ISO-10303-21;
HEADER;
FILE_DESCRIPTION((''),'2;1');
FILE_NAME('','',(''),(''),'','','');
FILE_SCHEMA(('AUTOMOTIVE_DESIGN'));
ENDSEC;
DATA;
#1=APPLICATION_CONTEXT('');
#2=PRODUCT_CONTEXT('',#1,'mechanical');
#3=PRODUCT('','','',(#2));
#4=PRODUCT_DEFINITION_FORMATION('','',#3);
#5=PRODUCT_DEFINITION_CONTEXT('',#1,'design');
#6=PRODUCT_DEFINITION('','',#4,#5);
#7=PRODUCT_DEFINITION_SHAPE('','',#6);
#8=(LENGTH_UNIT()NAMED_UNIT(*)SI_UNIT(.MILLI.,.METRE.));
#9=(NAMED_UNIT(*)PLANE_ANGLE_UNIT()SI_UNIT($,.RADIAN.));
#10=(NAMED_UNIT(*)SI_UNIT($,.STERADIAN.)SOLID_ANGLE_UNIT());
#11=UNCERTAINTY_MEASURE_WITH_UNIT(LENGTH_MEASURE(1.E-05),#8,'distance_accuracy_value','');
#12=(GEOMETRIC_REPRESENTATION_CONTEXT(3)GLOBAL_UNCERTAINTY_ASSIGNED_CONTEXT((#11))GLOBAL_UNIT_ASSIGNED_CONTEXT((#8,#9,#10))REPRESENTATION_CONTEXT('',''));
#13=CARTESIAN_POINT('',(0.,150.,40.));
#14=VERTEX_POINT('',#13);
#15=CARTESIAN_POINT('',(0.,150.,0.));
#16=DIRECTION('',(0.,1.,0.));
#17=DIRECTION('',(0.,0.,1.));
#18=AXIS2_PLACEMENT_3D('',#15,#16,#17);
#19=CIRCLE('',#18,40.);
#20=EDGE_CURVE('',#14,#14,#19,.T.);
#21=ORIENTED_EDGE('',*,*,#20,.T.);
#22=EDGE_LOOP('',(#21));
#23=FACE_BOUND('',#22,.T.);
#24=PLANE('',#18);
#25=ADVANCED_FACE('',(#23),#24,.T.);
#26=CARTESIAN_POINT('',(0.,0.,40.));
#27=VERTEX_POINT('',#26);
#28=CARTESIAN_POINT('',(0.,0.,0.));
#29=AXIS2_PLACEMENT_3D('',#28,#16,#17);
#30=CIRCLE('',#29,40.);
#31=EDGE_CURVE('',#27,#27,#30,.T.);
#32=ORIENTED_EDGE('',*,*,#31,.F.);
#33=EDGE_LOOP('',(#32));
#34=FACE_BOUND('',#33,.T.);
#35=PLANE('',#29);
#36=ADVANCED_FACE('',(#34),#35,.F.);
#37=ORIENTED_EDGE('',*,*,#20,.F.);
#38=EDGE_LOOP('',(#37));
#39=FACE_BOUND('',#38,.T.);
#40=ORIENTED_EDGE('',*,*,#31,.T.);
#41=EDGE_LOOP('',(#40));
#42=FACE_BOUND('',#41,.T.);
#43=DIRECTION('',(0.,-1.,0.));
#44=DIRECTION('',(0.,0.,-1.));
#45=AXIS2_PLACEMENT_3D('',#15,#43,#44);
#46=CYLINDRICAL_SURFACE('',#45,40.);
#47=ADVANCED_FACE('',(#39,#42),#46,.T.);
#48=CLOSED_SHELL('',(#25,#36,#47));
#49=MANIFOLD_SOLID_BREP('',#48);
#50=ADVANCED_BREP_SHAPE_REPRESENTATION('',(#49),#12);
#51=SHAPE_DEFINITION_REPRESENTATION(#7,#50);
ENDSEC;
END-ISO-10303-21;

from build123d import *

# Parameters (mm, degrees)
ESQUISSE1_R      = 40
EXTRUSION1_DEPTH = 150


with BuildPart() as part:
    # Esquisse1 → Extrusion1 (new body)
    with BuildSketch(Plane(origin=(0, 0, 0), x_dir=(1, 0, 0), z_dir=(0, 1, 0))):
        with Locations(Location((0, 0, 0), (0, 0, 270))):
            Circle(ESQUISSE1_R)
    extrude(amount=EXTRUSION1_DEPTH)


solid = part.part
